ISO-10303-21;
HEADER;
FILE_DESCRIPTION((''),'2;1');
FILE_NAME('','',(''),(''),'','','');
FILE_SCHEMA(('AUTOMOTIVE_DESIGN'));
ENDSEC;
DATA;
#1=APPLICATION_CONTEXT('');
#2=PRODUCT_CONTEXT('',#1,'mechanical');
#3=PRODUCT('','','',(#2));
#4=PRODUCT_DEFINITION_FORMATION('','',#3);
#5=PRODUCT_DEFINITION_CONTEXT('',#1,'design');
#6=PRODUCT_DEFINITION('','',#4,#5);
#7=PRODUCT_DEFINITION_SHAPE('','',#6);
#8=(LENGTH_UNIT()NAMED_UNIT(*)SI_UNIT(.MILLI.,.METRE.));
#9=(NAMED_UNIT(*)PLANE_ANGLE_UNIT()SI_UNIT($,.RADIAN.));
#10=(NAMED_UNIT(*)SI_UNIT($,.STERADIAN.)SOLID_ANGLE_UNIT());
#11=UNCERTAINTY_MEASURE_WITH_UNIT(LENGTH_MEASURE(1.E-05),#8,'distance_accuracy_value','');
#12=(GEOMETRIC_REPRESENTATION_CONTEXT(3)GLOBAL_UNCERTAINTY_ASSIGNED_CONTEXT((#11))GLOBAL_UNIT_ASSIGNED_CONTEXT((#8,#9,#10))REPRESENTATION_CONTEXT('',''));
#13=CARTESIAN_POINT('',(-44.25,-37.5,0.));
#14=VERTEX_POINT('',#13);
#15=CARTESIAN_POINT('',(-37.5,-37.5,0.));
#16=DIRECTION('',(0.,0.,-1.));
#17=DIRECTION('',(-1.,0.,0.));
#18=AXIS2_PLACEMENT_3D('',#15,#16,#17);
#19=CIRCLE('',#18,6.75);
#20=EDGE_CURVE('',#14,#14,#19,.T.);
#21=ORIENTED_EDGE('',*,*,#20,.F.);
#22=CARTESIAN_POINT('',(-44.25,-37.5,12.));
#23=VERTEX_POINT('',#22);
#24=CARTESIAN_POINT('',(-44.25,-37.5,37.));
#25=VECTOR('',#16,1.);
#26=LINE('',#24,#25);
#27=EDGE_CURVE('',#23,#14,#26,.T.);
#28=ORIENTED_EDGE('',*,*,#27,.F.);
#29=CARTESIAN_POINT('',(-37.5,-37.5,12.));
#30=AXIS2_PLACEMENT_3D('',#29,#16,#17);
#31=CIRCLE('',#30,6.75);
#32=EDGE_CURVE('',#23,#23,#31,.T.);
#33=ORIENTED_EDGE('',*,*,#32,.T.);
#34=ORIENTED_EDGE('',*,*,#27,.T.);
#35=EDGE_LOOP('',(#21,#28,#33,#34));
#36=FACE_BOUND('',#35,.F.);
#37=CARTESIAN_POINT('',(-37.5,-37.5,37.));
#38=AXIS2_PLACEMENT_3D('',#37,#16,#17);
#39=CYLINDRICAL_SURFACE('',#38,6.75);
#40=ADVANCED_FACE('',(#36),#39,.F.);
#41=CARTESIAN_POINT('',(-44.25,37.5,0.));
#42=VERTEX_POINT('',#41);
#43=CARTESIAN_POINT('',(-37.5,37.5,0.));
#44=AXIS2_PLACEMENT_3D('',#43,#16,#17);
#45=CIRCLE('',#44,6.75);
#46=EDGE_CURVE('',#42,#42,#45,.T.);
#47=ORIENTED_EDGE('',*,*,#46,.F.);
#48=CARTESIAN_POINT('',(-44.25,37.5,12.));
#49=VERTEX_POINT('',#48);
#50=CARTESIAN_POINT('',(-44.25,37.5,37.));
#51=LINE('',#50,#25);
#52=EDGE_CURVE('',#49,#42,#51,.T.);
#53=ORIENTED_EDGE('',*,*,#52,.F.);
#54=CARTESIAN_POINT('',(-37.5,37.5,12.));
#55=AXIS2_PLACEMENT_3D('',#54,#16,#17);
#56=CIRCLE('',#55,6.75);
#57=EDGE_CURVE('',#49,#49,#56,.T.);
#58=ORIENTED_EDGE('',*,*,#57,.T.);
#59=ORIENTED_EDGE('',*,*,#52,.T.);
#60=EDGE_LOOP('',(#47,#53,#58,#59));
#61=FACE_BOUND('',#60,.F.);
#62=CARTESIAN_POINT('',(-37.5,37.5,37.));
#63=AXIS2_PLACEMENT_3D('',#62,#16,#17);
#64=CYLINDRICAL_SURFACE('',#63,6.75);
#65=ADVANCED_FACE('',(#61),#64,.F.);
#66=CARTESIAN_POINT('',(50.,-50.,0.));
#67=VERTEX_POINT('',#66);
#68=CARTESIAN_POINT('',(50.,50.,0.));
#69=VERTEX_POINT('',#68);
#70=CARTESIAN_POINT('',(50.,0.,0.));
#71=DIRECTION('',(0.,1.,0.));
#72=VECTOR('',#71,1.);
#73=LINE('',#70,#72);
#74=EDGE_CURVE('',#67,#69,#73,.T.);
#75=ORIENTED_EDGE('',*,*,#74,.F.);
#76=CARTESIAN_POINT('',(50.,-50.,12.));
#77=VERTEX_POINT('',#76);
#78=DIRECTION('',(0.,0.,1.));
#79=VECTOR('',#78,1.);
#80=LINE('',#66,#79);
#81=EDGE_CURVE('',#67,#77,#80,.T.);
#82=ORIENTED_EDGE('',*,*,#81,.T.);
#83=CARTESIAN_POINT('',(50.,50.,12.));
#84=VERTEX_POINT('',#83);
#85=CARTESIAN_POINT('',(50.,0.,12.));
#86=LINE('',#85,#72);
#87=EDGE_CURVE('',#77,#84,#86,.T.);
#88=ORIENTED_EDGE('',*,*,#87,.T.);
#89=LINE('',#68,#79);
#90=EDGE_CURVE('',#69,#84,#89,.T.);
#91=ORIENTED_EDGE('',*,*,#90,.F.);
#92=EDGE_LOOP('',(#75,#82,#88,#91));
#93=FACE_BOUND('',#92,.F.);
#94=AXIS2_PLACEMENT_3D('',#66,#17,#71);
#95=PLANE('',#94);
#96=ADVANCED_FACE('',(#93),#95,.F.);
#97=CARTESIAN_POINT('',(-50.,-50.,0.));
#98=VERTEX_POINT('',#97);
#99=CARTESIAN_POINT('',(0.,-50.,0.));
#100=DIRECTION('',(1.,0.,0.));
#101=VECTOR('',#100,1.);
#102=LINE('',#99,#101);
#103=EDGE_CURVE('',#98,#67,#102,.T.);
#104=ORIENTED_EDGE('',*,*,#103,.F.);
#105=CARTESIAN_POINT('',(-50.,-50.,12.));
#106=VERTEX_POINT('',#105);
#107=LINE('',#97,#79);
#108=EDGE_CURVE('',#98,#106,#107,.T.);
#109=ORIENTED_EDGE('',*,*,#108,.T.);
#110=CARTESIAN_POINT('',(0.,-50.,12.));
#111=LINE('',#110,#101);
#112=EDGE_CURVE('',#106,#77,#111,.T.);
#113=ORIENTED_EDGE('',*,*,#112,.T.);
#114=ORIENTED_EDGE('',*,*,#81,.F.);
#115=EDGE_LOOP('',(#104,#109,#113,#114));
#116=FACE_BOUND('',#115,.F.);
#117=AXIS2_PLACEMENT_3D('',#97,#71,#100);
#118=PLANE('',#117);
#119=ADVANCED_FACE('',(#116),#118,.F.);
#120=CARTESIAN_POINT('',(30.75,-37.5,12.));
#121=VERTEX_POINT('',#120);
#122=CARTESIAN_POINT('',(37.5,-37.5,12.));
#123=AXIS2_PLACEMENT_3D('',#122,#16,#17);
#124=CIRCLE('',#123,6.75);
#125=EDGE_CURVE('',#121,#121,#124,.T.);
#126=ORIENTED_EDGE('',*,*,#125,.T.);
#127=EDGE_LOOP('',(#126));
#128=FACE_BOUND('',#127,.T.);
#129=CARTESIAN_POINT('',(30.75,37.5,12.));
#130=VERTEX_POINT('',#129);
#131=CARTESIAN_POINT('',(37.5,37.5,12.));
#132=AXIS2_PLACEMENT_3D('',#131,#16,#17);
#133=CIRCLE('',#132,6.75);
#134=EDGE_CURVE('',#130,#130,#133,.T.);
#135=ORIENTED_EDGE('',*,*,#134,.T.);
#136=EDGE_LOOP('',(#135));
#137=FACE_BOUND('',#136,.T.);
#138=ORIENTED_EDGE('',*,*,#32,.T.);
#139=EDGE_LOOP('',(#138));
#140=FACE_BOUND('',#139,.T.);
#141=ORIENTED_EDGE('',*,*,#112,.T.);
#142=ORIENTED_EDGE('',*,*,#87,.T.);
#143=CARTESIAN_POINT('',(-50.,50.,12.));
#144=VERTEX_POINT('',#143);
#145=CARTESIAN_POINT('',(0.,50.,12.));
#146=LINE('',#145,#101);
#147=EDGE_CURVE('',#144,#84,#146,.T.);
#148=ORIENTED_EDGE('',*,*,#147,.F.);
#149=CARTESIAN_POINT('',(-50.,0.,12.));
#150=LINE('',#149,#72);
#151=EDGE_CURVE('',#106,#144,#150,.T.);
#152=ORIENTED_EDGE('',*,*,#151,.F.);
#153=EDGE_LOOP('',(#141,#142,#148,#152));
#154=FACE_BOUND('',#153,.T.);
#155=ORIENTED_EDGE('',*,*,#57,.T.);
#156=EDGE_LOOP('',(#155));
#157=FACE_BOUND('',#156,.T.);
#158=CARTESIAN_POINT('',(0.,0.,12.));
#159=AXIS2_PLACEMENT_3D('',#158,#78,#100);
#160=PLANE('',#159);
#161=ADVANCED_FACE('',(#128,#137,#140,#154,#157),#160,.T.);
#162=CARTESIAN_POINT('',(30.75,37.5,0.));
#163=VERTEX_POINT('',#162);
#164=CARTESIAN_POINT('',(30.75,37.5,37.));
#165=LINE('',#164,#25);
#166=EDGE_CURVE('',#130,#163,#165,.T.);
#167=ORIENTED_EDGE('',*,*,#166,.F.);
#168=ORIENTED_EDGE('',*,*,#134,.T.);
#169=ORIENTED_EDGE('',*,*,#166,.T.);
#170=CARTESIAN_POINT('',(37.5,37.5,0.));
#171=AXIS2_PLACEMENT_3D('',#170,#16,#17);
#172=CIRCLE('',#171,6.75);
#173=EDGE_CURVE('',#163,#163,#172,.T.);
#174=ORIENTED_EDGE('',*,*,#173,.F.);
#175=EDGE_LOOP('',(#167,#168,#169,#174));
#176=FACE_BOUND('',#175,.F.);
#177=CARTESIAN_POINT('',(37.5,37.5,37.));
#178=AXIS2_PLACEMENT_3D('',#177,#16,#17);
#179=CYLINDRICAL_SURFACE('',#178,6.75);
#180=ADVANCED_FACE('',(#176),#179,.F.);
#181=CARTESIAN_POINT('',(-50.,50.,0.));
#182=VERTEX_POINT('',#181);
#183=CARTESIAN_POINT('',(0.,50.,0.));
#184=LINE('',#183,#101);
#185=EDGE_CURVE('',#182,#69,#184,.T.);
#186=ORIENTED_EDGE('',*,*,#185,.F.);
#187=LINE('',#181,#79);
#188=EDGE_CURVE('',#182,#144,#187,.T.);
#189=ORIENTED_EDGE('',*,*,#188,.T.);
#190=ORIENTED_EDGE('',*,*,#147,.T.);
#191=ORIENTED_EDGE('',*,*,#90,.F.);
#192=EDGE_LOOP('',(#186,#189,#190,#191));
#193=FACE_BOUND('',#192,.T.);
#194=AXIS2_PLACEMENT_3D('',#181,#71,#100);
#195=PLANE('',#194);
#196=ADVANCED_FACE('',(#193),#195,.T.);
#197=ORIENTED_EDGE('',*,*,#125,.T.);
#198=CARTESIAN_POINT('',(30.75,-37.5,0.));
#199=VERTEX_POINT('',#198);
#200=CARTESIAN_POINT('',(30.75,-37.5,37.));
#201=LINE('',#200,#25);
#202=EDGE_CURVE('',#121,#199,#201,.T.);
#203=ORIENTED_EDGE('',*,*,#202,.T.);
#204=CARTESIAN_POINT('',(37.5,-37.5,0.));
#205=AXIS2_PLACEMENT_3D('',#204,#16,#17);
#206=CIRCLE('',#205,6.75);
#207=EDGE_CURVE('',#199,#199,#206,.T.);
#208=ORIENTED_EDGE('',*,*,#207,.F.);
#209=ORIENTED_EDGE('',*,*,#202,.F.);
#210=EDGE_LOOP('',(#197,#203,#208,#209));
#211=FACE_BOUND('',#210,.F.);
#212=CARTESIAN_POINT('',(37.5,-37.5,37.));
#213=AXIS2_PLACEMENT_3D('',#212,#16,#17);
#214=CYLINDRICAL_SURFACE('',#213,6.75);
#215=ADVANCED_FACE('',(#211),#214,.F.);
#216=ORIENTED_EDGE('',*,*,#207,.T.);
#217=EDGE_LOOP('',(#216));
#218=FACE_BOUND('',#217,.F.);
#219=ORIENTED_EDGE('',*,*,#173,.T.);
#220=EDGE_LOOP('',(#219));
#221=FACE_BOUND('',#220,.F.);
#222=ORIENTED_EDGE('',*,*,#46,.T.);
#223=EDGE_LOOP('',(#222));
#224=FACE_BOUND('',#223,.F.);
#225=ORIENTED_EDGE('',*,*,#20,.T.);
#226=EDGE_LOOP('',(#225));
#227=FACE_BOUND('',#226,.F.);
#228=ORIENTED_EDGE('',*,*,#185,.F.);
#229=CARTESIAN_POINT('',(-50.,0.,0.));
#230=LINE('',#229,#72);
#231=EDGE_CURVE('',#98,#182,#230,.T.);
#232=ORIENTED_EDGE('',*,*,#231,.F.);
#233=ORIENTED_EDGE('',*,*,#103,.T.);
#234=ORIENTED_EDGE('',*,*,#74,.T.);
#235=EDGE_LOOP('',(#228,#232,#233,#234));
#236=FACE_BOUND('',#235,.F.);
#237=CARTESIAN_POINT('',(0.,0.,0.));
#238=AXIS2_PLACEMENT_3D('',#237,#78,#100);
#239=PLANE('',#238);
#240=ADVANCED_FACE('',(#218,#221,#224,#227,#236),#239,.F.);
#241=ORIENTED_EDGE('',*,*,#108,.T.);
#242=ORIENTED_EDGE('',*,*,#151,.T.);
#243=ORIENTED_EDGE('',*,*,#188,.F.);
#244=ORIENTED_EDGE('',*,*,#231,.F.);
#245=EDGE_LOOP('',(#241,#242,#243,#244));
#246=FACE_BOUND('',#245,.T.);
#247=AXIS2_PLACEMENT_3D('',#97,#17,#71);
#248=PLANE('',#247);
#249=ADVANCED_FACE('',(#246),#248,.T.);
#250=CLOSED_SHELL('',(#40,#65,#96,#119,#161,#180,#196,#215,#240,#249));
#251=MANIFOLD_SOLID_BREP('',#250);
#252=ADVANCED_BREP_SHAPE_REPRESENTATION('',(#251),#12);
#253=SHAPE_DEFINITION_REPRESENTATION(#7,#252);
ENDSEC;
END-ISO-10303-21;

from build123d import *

# Parameters (mm, degrees)
F0_W     = 100
F0_H     = 100
F1_DEPTH = 12
F3_D     = 13.5
F3_DEPTH = 25
F3_TIP   = 4.0558091784


with BuildPart() as f1:
    # F0 (on Top) → F1 (new body)
    with BuildSketch(Plane.XY):
        Rectangle(F0_W, F0_H)
    extrude(amount=F1_DEPTH)

    # F3
    with Locations(Plane.XY.offset(12)):
        with Locations((-37.5, 37.5), (37.5, 37.5), (37.5, -37.5), (-37.5, -37.5)):
            Hole(F3_D / 2, depth=F3_DEPTH)
            with Locations((0, 0, -(F3_DEPTH + F3_TIP / 2))):  # 118° drill point
                Cone(0, F3_D / 2, F3_TIP, mode=Mode.SUBTRACT)


solid = f1.part
